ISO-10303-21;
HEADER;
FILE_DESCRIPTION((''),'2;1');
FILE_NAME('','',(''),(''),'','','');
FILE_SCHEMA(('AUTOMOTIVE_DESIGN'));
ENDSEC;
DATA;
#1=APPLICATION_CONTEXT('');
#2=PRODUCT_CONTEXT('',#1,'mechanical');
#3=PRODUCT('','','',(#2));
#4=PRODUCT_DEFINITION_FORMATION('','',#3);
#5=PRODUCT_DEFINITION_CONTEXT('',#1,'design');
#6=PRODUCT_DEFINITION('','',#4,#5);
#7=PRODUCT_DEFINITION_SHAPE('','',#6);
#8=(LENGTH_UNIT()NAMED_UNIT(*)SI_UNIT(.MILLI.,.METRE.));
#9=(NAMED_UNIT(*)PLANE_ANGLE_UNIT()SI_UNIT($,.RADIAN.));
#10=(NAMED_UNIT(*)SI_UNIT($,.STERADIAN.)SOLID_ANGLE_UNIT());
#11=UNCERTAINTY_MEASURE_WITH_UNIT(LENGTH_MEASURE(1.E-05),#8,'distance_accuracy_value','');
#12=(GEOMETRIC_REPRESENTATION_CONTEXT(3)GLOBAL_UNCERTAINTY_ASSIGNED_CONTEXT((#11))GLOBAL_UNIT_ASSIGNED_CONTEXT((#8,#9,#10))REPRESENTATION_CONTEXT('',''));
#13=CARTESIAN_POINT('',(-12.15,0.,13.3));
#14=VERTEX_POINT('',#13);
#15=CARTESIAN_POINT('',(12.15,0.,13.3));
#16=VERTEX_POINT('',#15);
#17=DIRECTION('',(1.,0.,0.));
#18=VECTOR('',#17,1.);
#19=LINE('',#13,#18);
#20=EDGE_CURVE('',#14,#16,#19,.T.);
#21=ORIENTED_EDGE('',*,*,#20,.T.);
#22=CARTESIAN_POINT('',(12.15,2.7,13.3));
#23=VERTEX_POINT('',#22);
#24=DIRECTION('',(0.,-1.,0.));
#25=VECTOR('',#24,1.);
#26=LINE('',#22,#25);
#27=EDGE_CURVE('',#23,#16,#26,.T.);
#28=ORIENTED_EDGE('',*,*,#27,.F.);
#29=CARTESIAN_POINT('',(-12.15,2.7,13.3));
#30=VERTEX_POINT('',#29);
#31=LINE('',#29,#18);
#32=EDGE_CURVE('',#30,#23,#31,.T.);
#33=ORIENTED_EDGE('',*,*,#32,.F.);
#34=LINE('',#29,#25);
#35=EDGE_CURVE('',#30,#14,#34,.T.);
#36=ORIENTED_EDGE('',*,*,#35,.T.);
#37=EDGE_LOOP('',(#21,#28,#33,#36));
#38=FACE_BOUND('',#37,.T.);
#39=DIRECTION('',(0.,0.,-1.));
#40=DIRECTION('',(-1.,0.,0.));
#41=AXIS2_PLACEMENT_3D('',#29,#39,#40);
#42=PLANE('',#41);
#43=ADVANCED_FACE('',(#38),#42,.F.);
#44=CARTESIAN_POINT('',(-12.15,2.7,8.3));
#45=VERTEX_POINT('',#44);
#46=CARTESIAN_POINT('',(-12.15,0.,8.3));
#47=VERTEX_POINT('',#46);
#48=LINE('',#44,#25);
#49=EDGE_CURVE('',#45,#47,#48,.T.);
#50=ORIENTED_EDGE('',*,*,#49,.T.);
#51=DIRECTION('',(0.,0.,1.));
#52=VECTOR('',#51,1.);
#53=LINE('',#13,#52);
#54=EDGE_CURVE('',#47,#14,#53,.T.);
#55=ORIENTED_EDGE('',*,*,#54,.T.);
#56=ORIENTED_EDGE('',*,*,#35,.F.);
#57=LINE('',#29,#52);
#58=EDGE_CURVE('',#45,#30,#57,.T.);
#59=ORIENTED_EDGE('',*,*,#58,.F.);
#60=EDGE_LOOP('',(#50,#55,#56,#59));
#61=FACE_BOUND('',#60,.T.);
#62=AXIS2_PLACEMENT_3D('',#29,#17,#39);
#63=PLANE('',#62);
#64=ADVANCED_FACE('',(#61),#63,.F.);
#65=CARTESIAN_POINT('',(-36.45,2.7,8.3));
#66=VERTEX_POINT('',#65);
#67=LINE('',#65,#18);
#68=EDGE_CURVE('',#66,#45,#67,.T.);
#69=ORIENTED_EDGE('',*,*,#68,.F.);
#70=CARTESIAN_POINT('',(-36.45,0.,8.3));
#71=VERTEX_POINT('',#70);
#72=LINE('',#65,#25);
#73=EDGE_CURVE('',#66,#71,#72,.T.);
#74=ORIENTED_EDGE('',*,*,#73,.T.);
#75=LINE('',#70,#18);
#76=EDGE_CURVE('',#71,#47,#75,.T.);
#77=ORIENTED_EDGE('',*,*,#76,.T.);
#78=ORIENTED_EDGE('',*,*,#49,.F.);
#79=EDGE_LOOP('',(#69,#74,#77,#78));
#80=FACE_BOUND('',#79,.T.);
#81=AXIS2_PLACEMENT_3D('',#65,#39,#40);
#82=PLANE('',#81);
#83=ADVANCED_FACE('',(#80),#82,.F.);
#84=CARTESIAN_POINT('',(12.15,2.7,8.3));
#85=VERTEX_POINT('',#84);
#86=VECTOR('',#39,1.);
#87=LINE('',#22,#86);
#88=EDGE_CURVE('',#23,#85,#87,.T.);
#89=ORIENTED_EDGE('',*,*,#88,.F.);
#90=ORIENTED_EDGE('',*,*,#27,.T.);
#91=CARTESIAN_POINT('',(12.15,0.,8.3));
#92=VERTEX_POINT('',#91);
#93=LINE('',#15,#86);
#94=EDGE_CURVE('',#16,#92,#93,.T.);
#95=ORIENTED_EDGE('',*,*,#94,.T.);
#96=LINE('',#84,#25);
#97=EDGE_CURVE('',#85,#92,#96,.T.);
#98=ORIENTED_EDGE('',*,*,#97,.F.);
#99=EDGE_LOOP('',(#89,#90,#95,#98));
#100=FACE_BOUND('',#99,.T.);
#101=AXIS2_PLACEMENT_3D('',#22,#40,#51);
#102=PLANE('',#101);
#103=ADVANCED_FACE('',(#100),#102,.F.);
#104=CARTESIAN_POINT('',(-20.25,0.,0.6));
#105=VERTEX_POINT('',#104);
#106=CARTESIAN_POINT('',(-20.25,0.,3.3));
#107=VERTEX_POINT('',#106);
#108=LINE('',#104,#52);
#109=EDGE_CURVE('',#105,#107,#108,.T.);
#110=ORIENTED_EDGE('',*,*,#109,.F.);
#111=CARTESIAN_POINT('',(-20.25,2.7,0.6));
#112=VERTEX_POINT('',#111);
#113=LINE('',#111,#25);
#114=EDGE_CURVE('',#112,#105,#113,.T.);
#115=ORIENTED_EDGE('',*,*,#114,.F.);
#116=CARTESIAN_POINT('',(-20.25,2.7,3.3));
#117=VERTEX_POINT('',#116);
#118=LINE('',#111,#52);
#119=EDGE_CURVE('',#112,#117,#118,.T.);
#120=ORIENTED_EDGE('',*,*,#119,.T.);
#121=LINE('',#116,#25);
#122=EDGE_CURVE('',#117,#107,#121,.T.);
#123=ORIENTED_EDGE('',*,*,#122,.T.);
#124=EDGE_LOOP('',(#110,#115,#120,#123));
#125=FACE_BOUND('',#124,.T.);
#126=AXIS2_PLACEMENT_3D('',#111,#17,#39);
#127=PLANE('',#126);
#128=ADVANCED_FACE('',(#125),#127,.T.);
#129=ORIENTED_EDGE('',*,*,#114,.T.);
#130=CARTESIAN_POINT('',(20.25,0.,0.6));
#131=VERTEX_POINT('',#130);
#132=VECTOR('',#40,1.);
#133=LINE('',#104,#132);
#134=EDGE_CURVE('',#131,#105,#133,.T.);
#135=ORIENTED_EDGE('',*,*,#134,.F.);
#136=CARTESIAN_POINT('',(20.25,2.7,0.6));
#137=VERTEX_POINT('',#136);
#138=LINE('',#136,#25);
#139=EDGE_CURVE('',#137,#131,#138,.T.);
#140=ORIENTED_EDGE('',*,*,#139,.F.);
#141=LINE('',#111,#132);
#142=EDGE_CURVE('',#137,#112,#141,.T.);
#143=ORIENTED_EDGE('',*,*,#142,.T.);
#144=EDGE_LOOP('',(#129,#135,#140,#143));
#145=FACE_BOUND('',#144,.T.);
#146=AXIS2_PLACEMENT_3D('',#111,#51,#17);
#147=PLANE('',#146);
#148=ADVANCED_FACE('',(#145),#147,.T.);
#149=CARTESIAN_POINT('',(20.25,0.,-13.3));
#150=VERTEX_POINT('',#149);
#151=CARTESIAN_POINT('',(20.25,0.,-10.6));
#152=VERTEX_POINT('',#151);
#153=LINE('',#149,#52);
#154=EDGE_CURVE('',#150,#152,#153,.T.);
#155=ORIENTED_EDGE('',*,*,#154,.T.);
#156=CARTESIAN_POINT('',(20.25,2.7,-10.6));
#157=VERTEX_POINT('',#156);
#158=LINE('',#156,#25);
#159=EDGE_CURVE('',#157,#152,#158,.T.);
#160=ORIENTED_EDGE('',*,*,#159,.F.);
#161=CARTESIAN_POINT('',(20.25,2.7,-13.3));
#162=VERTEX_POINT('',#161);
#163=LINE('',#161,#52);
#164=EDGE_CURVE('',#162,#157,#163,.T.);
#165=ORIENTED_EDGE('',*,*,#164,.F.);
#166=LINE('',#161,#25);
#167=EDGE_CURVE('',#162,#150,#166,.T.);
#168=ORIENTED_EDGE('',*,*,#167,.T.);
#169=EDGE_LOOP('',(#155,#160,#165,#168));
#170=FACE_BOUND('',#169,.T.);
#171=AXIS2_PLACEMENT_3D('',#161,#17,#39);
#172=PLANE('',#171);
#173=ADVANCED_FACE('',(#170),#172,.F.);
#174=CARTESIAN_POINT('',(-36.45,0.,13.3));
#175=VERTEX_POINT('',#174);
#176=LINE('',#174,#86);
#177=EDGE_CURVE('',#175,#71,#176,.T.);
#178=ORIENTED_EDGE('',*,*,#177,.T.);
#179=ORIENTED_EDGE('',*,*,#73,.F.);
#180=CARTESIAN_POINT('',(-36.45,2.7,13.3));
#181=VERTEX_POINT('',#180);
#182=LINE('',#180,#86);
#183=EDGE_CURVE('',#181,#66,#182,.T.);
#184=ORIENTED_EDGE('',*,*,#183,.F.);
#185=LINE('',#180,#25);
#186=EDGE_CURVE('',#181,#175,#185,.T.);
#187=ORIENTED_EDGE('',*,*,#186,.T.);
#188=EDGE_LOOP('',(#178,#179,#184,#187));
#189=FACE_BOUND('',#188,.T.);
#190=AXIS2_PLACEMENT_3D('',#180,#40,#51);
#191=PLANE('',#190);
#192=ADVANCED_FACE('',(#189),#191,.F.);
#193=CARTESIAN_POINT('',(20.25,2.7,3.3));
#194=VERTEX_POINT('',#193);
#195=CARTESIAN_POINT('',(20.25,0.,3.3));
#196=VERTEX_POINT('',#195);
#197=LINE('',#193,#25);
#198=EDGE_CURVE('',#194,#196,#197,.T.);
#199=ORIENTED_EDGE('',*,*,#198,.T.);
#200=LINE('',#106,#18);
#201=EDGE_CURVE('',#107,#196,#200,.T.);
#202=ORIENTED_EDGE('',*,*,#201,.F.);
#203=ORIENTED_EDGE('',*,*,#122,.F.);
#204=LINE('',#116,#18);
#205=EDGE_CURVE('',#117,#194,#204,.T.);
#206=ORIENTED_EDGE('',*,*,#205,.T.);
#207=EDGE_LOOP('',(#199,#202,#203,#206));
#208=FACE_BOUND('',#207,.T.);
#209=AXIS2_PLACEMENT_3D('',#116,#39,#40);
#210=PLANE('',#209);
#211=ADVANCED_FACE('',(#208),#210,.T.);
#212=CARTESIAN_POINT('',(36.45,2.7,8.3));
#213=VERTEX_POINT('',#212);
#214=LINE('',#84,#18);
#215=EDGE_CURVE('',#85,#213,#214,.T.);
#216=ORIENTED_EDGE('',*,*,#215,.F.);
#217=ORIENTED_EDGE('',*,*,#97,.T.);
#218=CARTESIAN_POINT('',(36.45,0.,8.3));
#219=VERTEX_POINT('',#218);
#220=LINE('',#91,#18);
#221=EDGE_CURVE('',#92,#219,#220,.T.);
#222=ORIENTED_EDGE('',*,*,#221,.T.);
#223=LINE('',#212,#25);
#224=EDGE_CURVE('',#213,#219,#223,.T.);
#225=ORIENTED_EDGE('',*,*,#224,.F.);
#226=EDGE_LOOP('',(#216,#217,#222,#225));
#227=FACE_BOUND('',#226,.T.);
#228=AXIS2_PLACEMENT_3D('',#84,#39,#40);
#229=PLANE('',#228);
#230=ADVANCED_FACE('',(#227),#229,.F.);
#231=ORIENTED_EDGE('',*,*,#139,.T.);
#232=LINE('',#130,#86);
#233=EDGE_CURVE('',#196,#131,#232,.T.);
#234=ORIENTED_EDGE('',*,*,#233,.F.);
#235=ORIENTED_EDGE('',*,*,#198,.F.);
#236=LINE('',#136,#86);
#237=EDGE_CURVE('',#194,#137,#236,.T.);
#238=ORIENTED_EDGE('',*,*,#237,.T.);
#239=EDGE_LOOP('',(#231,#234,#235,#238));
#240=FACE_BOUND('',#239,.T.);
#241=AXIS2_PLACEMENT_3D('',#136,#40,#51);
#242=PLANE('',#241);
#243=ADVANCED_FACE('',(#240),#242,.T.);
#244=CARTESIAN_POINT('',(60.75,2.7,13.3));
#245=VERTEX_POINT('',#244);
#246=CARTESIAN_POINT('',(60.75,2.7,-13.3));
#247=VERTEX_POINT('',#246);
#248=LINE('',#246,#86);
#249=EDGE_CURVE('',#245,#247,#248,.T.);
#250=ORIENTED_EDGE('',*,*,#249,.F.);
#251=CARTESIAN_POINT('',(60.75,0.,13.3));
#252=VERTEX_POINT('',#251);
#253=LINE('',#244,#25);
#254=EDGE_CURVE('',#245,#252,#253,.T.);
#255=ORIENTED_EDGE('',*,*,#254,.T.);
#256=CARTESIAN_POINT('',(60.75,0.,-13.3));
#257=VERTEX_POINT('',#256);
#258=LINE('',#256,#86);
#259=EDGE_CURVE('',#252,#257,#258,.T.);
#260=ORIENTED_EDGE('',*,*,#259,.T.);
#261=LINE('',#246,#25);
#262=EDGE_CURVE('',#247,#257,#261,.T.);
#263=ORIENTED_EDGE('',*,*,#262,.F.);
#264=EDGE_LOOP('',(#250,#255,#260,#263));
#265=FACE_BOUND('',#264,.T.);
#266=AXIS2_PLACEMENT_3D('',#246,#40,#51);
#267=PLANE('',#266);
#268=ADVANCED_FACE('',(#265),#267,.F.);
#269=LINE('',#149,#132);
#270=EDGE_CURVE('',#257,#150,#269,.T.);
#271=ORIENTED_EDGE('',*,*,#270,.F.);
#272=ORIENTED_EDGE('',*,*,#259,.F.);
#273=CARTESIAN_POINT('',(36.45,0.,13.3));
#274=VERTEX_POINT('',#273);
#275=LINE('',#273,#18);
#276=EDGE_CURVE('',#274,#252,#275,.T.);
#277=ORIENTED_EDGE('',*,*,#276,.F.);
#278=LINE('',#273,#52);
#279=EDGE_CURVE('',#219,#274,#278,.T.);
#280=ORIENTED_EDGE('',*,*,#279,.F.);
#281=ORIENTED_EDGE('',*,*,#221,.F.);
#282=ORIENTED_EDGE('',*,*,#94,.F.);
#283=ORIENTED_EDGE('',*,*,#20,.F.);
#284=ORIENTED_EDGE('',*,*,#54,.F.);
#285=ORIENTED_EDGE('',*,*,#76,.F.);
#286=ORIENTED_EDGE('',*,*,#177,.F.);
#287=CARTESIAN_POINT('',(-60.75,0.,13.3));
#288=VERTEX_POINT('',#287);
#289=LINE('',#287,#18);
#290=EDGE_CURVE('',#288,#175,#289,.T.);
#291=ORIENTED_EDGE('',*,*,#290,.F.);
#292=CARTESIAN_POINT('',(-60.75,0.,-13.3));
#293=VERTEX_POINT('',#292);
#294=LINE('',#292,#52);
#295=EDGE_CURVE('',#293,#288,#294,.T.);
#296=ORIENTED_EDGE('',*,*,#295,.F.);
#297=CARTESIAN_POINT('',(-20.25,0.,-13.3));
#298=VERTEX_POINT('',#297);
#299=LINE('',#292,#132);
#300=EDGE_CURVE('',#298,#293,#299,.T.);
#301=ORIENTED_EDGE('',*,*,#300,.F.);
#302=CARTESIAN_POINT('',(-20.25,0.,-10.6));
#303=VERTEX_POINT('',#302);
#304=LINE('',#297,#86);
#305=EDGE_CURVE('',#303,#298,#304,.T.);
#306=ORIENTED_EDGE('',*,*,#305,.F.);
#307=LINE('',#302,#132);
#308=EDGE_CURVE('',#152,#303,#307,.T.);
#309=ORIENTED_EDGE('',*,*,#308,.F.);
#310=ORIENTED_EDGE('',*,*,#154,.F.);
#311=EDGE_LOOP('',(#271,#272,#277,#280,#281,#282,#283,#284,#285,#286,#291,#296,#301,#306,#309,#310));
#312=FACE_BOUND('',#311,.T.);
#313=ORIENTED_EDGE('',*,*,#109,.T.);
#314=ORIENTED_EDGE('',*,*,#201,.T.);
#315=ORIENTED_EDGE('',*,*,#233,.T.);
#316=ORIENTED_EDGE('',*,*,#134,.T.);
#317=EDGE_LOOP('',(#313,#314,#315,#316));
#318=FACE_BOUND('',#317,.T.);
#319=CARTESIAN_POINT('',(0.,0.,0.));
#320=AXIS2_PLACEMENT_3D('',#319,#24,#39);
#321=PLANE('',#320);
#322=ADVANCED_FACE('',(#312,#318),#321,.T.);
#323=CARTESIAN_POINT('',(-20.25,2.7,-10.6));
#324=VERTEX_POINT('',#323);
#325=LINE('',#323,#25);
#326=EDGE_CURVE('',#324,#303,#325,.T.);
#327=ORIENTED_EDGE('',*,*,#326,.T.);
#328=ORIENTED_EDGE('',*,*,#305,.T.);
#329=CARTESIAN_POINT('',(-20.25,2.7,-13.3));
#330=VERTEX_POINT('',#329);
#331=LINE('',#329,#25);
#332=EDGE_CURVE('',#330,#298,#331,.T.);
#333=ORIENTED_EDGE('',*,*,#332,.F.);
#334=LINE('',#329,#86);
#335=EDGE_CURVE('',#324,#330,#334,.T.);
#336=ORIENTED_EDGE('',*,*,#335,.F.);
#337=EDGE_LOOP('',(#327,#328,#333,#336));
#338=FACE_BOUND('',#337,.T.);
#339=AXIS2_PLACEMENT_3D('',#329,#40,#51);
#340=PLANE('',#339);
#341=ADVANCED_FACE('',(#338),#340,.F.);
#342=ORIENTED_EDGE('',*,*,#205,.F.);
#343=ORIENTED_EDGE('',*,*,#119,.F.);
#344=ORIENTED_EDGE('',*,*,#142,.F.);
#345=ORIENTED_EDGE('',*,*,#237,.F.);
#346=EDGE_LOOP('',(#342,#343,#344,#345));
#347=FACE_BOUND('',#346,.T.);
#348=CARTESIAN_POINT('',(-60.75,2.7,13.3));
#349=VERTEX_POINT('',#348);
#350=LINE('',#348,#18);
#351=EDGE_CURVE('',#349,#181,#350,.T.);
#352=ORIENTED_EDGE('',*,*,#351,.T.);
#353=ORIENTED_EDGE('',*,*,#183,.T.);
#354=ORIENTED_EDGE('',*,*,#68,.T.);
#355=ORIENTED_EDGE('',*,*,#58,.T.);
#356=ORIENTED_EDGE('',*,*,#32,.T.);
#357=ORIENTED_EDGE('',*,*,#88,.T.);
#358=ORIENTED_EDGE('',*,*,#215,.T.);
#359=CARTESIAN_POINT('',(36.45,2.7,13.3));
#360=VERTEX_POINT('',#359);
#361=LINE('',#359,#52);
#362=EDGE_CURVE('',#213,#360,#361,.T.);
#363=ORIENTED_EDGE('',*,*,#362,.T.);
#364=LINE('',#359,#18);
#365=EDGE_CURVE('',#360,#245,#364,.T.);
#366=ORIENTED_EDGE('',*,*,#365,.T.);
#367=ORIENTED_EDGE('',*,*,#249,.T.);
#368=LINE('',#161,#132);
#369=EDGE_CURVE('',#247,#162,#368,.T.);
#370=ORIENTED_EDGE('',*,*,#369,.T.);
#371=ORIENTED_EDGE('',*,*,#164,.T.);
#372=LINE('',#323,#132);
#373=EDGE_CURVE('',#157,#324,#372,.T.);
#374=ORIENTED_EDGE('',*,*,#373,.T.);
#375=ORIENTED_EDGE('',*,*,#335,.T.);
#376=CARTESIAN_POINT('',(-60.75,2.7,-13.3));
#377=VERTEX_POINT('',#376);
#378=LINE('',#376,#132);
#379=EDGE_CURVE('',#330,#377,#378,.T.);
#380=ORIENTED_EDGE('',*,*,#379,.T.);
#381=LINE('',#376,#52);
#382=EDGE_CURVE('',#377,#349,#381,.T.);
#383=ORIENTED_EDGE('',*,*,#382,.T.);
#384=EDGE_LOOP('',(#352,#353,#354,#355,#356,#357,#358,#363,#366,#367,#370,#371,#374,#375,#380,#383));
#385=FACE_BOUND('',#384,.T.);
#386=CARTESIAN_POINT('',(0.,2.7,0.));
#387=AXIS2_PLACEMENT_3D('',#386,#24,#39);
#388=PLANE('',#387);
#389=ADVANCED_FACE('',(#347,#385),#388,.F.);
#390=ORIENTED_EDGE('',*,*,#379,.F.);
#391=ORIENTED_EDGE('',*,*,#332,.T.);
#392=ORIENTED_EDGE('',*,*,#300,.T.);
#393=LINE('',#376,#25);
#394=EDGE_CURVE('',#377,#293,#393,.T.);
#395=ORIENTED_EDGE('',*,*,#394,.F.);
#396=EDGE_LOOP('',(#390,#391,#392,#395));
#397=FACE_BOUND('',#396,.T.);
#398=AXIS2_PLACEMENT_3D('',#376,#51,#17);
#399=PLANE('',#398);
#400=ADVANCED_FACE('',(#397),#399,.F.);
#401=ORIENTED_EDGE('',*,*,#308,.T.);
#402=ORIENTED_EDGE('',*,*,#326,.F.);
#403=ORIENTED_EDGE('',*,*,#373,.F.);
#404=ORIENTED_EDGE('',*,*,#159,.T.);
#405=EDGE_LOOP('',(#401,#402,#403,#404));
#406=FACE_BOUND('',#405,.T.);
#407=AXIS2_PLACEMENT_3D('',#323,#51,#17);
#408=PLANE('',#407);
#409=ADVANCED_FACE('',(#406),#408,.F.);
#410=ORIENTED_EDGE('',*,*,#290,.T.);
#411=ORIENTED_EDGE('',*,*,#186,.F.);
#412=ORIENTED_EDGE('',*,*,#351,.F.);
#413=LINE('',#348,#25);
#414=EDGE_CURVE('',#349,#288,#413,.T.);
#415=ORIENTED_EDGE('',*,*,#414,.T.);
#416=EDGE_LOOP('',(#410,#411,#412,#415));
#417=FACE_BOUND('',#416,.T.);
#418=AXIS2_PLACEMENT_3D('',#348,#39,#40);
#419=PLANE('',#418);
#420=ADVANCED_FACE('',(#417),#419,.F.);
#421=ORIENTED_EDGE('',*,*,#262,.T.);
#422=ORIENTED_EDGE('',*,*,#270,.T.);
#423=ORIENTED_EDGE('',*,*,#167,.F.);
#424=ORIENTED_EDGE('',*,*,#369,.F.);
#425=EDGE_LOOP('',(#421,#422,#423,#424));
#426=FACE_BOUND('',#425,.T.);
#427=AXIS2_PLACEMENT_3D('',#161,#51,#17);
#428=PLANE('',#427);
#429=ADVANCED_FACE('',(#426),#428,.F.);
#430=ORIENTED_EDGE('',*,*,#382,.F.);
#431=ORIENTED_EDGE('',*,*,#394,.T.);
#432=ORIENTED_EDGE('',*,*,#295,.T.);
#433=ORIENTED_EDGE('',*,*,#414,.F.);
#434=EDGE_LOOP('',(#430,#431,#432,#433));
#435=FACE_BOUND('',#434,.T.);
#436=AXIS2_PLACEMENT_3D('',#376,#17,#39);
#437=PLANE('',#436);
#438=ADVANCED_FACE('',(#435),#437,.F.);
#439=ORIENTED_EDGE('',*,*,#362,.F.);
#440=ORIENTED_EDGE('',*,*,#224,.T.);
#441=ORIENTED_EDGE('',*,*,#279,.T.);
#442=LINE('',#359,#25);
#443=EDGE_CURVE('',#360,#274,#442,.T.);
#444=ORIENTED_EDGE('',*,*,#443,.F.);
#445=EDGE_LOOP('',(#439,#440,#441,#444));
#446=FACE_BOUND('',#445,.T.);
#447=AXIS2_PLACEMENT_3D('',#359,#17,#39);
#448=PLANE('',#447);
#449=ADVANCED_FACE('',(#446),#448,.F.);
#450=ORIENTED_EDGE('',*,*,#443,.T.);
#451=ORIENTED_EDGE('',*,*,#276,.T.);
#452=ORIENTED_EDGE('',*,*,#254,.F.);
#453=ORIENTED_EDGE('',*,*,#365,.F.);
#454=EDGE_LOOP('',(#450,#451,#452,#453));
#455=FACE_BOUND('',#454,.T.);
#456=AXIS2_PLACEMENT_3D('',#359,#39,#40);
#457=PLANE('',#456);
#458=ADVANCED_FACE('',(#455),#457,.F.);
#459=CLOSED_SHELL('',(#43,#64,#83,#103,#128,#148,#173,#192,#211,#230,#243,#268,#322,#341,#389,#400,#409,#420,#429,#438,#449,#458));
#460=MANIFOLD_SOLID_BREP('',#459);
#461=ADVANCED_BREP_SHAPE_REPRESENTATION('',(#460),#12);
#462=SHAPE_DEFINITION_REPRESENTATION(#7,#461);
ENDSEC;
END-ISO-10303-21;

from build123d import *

# Parameters (mm, degrees)
SKETCH1_W           = 40.5
SKETCH1_H           = 2.7
BOSS_EXTRUDE1_DEPTH = 2.7


with BuildPart() as part:
    # Sketch1 → Boss-Extrude1 (new body)
    with BuildSketch(Plane(origin=(0, 0, 0), x_dir=(1, 0, 0), z_dir=(0, 1, 0))):
        Polygon((-60.75, 13.3), (-20.25, 13.3), (-20.25, 10.6), (20.25, 10.6), (20.25, 13.3), (60.75, 13.3), (60.75, -13.3), (36.45, -13.3), (36.45, -8.3), (12.15, -8.3), (12.15, -13.3), (-12.15, -13.3), (-12.15, -8.3), (-36.45, -8.3), (-36.45, -13.3), (-60.75, -13.3), align=None)
        with Locations((0, -1.95)):
            Rectangle(SKETCH1_W, SKETCH1_H, mode=Mode.SUBTRACT)
    extrude(amount=BOSS_EXTRUDE1_DEPTH)


solid = part.part
